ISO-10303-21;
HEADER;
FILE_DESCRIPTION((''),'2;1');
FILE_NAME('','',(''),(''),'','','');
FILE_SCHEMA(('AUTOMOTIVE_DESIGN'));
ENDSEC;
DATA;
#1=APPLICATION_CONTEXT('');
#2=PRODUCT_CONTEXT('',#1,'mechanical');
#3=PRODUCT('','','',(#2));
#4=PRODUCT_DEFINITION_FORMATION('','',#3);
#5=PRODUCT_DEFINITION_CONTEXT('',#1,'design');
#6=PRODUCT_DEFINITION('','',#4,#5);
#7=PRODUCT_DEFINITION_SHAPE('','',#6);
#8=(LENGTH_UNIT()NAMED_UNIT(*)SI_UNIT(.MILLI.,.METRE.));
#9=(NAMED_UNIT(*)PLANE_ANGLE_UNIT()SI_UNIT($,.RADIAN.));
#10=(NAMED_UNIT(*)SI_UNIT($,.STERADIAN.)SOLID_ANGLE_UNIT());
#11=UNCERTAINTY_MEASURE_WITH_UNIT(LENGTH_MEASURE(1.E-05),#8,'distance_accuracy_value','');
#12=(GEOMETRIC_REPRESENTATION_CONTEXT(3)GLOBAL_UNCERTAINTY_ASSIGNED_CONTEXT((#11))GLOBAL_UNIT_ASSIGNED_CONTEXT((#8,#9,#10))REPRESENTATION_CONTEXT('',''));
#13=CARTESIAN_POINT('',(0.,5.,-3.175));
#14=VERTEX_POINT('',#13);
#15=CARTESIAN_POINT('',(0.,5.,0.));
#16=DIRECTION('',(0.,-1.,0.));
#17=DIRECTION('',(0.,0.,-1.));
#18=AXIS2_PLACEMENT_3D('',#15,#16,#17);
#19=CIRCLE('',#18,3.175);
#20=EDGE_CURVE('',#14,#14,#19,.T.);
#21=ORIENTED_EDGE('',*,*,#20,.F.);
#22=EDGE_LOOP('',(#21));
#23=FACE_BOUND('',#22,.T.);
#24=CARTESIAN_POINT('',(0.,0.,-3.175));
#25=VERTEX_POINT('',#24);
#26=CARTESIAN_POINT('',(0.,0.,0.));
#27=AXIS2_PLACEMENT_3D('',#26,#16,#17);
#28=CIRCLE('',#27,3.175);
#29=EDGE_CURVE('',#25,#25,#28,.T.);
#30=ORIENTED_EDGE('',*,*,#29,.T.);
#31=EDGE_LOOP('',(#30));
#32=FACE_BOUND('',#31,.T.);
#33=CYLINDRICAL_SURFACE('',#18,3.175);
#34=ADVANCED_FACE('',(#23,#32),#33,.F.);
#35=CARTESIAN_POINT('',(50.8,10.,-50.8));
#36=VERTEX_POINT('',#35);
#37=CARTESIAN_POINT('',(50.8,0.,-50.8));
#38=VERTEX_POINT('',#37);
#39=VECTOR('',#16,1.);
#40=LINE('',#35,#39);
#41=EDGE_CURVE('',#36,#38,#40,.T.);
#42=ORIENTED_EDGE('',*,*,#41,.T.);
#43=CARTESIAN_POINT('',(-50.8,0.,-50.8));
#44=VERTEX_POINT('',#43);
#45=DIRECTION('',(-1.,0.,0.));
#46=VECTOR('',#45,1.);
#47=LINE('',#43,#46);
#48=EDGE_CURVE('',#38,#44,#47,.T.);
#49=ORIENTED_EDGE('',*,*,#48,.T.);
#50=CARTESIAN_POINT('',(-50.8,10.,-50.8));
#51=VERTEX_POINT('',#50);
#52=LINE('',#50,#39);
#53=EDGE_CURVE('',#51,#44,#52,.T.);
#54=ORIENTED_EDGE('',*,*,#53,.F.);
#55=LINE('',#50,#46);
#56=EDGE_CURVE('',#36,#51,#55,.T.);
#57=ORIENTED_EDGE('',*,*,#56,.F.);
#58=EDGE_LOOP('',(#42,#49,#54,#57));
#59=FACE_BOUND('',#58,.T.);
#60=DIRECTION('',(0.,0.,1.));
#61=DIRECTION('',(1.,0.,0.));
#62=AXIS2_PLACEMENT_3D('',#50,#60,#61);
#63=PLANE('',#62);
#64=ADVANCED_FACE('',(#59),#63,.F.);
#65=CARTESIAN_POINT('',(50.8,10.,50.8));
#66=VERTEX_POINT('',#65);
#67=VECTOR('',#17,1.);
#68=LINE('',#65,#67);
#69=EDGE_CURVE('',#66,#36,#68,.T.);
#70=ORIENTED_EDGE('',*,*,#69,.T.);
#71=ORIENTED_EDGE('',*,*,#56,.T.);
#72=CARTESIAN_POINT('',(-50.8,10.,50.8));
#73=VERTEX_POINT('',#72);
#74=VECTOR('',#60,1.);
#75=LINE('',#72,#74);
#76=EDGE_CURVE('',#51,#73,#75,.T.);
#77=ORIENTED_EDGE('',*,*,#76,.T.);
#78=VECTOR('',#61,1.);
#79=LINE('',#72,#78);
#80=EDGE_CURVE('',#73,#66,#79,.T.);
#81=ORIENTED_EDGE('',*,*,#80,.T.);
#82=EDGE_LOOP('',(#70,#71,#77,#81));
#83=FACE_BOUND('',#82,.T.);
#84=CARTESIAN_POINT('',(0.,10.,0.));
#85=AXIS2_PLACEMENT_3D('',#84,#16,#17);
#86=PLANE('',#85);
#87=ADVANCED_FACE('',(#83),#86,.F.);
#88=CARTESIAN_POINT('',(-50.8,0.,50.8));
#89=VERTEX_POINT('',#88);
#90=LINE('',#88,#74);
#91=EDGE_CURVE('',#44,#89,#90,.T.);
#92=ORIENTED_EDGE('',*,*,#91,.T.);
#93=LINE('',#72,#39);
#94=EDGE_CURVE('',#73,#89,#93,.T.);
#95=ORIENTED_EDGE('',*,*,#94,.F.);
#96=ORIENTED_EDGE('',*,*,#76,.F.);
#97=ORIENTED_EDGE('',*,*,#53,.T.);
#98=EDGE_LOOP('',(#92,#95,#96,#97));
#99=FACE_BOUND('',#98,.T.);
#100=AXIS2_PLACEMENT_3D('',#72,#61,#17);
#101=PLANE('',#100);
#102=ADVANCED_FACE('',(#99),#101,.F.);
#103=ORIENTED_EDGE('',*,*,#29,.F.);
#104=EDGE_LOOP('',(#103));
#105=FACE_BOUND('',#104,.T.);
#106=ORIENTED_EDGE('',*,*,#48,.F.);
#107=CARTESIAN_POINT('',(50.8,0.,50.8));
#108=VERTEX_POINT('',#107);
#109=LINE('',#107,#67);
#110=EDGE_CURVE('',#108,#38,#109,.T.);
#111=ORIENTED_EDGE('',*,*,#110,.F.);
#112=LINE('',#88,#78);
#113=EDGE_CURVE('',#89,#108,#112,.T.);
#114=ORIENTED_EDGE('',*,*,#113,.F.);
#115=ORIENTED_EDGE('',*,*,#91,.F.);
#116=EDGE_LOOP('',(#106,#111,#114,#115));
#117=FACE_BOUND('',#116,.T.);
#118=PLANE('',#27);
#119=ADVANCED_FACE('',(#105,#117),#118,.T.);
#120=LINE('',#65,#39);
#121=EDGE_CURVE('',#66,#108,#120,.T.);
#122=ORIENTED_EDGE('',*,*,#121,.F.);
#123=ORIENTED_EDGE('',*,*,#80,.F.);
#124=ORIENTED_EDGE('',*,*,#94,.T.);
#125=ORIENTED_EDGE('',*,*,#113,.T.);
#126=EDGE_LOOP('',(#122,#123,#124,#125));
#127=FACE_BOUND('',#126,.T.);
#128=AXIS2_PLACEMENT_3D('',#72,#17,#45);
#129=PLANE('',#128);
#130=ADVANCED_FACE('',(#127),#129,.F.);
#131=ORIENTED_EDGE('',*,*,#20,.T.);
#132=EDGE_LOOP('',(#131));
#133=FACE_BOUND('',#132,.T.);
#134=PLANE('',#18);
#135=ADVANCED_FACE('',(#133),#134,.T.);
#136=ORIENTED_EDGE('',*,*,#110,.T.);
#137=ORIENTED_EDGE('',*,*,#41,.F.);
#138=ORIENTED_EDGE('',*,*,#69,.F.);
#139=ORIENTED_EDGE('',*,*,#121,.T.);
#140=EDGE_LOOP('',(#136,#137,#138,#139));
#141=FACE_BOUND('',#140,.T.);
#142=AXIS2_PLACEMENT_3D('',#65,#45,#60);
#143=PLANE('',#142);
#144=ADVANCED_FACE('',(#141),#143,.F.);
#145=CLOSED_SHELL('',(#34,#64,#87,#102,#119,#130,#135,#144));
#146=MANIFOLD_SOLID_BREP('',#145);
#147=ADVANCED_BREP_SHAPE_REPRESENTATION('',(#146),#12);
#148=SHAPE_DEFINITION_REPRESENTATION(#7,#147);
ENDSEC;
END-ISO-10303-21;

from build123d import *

# Parameters (mm, degrees)
SKETCH1_W           = 101.6
SKETCH1_H           = 101.6
BOSS_EXTRUDE1_DEPTH = 10
SKETCH2_R           = 3.175
CUT_EXTRUDE1_DEPTH  = 5


with BuildPart() as part:
    # Sketch1 → Boss-Extrude1 (new body)
    with BuildSketch(Plane(origin=(0, 0, 0), x_dir=(1, 0, 0), z_dir=(0, 1, 0))):
        Rectangle(SKETCH1_W, SKETCH1_H)
    extrude(amount=BOSS_EXTRUDE1_DEPTH)

    # Sketch2 → Cut-Extrude1 (cut)
    with BuildSketch(Plane(origin=(0, 0, 0), x_dir=(-1, 0, 0), z_dir=(0, -1, 0))):
        with Locations(Location((0, 0, 0), (0, 0, 90))):
            Circle(SKETCH2_R)
    extrude(amount=-CUT_EXTRUDE1_DEPTH, mode=Mode.SUBTRACT)


solid = part.part
